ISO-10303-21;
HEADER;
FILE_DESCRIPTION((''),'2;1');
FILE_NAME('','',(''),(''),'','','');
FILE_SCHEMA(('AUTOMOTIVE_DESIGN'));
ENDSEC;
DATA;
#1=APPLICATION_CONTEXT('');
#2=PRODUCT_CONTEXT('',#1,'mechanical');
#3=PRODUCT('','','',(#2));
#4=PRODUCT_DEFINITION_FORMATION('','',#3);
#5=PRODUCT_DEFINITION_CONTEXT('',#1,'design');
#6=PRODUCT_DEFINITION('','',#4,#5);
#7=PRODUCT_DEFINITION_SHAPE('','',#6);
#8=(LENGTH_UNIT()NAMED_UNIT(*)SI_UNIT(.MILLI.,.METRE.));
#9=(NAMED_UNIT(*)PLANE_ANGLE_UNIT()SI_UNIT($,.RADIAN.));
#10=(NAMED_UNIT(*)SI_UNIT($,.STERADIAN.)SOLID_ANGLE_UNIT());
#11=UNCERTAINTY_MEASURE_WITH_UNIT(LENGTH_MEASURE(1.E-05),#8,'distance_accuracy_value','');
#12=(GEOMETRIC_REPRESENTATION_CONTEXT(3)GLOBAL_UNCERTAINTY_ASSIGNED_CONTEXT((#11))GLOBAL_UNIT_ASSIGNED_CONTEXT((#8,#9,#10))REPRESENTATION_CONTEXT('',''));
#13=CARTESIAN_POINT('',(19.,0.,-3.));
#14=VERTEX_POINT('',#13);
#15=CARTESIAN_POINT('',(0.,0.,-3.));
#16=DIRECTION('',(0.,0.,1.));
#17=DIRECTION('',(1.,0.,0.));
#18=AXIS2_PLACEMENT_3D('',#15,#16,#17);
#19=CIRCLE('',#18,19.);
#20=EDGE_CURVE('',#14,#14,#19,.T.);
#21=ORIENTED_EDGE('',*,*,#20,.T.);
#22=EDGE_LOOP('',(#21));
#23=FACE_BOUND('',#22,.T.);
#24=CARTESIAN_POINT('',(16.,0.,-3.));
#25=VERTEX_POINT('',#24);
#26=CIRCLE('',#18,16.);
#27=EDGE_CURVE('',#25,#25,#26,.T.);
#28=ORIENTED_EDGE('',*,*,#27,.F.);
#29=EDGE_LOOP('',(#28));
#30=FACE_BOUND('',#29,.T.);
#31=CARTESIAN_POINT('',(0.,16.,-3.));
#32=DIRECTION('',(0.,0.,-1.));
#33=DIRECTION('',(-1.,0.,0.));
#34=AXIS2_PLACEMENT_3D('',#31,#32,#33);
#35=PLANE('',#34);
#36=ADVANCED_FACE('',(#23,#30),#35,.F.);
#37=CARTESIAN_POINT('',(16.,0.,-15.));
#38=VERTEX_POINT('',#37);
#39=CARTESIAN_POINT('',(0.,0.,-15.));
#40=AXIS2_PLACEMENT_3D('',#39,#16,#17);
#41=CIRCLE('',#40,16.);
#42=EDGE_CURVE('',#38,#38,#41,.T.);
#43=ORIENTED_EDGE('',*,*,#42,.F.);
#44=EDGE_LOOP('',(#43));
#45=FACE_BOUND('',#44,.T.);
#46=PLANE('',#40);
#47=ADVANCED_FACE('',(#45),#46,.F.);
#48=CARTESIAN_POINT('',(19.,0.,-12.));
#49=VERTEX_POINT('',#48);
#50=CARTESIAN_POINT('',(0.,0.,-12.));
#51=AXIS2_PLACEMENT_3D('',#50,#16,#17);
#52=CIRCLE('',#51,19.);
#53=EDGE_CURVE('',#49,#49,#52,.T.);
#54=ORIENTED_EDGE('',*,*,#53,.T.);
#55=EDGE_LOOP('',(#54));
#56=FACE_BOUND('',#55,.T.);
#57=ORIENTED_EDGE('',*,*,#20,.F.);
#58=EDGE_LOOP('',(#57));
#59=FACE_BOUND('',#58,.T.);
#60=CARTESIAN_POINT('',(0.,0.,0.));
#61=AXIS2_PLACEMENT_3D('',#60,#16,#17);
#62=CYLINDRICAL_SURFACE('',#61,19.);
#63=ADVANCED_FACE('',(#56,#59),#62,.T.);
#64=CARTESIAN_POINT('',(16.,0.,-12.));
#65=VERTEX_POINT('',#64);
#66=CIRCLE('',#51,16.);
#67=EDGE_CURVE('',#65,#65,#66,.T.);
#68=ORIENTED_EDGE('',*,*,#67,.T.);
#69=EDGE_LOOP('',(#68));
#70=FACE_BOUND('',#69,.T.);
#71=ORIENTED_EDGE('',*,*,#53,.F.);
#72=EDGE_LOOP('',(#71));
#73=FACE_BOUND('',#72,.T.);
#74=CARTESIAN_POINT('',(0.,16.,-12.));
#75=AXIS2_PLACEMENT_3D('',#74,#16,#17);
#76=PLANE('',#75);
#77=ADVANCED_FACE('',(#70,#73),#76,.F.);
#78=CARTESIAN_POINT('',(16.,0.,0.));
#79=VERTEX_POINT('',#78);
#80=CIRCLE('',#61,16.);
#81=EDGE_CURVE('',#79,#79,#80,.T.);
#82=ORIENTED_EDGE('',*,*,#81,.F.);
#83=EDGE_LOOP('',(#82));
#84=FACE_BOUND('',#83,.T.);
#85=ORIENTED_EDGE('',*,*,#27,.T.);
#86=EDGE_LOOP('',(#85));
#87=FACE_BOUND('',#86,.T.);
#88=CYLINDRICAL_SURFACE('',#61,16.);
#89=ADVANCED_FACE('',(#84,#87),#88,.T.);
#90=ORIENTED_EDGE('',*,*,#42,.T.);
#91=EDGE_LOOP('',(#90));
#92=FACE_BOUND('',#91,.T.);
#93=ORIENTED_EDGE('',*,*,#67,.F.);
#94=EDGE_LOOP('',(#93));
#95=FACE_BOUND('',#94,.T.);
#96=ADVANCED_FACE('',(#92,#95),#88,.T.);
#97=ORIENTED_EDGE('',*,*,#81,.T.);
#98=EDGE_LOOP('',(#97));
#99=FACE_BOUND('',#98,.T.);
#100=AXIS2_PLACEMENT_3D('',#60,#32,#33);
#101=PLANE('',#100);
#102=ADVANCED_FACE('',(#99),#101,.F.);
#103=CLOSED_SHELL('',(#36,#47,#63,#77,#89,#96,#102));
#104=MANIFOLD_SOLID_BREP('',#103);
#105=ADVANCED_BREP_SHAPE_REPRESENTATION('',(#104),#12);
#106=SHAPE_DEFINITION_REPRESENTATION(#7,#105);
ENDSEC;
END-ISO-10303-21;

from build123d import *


with BuildPart() as part:
    # Sketch2 → Revolve1 (revolve)
    with BuildSketch(Plane(origin=(0, 0, 0), x_dir=(0, 0, -1), z_dir=(1, 0, 0))):
        Polygon((0, 0), (15, 0), (15, 16), (12, 16), (12, 19), (3, 19), (3, 16), (0, 16), align=None)
    revolve(axis=Axis((0, 0, 0), (0, 0, -1)))


solid = part.part
